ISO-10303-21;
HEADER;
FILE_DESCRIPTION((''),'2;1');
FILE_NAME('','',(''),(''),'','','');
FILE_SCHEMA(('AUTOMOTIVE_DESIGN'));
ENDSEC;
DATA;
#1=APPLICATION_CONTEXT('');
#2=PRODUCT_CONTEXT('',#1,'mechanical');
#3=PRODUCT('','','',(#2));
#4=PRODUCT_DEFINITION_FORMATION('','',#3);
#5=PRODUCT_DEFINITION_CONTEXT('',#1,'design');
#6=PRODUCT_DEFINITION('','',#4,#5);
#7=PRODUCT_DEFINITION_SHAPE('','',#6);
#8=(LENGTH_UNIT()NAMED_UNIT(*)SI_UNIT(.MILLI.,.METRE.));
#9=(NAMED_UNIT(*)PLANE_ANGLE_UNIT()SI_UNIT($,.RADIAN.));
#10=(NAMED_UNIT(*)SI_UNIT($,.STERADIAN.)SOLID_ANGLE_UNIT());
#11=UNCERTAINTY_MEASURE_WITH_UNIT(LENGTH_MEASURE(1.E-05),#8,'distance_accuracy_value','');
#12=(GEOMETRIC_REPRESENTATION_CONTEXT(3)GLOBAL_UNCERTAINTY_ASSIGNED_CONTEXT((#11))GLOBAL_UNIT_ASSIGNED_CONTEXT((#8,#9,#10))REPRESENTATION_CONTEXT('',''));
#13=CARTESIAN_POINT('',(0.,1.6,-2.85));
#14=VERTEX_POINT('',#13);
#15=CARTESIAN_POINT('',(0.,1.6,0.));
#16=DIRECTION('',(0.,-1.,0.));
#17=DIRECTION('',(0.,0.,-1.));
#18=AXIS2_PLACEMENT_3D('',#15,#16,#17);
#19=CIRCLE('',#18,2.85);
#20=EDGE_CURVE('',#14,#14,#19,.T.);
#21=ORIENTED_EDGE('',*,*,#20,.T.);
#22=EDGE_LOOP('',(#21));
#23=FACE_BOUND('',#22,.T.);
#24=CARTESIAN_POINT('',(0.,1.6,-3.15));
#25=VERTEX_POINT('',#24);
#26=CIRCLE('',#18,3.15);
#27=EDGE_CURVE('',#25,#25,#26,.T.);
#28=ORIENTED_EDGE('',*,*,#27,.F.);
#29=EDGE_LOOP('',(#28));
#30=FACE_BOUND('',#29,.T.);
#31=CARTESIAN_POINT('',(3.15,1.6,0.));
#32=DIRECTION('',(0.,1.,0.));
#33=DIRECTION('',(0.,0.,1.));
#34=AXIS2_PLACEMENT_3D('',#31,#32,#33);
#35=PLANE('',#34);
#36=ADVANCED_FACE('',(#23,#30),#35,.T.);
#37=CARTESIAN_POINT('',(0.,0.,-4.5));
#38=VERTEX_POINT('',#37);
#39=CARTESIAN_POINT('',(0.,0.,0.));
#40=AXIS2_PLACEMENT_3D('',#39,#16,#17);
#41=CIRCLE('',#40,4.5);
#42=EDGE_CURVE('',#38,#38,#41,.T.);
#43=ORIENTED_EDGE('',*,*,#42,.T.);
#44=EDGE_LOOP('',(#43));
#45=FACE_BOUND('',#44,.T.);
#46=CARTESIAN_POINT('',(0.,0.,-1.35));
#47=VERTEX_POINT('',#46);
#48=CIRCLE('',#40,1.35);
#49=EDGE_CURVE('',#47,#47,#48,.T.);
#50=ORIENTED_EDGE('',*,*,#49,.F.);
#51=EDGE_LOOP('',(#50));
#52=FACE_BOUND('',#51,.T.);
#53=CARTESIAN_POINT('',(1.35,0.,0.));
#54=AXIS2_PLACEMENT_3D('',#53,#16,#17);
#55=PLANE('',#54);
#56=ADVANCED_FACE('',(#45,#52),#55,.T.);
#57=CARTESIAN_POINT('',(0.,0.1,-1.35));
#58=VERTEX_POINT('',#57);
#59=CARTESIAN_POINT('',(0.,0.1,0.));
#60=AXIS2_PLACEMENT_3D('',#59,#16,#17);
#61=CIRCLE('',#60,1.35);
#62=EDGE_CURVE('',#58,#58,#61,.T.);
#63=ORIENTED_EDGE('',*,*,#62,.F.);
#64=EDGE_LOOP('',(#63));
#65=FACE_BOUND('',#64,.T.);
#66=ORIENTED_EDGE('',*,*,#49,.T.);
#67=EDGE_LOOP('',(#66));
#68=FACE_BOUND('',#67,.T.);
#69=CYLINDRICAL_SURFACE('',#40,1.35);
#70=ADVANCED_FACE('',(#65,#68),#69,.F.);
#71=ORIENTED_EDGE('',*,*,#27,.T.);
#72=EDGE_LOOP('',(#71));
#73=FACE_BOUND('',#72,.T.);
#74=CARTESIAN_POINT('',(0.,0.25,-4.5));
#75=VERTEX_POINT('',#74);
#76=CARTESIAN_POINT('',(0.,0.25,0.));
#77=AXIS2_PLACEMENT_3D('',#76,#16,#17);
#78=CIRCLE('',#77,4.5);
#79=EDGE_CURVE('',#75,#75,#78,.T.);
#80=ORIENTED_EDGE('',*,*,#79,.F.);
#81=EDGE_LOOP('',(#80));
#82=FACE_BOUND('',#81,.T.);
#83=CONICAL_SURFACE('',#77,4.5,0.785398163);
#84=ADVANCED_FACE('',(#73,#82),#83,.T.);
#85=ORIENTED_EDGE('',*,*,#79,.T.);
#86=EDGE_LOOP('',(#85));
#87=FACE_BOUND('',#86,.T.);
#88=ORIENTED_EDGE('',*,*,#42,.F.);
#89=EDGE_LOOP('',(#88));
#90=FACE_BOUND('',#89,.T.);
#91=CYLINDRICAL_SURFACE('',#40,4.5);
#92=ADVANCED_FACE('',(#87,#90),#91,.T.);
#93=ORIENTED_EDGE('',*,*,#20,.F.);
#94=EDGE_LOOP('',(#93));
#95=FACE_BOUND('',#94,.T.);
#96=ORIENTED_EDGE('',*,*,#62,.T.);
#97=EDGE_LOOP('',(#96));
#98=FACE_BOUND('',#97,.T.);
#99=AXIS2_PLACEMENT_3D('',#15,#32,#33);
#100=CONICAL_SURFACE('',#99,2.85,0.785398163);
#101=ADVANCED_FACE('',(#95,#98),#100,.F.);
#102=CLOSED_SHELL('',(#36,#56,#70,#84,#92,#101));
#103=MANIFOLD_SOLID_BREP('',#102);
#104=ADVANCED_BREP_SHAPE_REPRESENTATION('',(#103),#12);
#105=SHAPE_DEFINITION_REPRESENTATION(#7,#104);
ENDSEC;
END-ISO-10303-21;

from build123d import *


with BuildPart() as part:
    # Esquisse1 → Révolution1 (revolve)
    with BuildSketch(Plane.XY, mode=Mode.PRIVATE) as r_volution1_sk:
        Polygon((1.35, 0), (4.5, 0), (4.5, 0.25), (3.15, 1.6), (2.85, 1.6), (1.35, 0.1), align=None)
    revolve(r_volution1_sk.sketch.rotate(Axis((0, 0, 0), (0, 1, 0)), 90), axis=Axis((0, 0, 0), (0, 1, 0)))


solid = part.part
